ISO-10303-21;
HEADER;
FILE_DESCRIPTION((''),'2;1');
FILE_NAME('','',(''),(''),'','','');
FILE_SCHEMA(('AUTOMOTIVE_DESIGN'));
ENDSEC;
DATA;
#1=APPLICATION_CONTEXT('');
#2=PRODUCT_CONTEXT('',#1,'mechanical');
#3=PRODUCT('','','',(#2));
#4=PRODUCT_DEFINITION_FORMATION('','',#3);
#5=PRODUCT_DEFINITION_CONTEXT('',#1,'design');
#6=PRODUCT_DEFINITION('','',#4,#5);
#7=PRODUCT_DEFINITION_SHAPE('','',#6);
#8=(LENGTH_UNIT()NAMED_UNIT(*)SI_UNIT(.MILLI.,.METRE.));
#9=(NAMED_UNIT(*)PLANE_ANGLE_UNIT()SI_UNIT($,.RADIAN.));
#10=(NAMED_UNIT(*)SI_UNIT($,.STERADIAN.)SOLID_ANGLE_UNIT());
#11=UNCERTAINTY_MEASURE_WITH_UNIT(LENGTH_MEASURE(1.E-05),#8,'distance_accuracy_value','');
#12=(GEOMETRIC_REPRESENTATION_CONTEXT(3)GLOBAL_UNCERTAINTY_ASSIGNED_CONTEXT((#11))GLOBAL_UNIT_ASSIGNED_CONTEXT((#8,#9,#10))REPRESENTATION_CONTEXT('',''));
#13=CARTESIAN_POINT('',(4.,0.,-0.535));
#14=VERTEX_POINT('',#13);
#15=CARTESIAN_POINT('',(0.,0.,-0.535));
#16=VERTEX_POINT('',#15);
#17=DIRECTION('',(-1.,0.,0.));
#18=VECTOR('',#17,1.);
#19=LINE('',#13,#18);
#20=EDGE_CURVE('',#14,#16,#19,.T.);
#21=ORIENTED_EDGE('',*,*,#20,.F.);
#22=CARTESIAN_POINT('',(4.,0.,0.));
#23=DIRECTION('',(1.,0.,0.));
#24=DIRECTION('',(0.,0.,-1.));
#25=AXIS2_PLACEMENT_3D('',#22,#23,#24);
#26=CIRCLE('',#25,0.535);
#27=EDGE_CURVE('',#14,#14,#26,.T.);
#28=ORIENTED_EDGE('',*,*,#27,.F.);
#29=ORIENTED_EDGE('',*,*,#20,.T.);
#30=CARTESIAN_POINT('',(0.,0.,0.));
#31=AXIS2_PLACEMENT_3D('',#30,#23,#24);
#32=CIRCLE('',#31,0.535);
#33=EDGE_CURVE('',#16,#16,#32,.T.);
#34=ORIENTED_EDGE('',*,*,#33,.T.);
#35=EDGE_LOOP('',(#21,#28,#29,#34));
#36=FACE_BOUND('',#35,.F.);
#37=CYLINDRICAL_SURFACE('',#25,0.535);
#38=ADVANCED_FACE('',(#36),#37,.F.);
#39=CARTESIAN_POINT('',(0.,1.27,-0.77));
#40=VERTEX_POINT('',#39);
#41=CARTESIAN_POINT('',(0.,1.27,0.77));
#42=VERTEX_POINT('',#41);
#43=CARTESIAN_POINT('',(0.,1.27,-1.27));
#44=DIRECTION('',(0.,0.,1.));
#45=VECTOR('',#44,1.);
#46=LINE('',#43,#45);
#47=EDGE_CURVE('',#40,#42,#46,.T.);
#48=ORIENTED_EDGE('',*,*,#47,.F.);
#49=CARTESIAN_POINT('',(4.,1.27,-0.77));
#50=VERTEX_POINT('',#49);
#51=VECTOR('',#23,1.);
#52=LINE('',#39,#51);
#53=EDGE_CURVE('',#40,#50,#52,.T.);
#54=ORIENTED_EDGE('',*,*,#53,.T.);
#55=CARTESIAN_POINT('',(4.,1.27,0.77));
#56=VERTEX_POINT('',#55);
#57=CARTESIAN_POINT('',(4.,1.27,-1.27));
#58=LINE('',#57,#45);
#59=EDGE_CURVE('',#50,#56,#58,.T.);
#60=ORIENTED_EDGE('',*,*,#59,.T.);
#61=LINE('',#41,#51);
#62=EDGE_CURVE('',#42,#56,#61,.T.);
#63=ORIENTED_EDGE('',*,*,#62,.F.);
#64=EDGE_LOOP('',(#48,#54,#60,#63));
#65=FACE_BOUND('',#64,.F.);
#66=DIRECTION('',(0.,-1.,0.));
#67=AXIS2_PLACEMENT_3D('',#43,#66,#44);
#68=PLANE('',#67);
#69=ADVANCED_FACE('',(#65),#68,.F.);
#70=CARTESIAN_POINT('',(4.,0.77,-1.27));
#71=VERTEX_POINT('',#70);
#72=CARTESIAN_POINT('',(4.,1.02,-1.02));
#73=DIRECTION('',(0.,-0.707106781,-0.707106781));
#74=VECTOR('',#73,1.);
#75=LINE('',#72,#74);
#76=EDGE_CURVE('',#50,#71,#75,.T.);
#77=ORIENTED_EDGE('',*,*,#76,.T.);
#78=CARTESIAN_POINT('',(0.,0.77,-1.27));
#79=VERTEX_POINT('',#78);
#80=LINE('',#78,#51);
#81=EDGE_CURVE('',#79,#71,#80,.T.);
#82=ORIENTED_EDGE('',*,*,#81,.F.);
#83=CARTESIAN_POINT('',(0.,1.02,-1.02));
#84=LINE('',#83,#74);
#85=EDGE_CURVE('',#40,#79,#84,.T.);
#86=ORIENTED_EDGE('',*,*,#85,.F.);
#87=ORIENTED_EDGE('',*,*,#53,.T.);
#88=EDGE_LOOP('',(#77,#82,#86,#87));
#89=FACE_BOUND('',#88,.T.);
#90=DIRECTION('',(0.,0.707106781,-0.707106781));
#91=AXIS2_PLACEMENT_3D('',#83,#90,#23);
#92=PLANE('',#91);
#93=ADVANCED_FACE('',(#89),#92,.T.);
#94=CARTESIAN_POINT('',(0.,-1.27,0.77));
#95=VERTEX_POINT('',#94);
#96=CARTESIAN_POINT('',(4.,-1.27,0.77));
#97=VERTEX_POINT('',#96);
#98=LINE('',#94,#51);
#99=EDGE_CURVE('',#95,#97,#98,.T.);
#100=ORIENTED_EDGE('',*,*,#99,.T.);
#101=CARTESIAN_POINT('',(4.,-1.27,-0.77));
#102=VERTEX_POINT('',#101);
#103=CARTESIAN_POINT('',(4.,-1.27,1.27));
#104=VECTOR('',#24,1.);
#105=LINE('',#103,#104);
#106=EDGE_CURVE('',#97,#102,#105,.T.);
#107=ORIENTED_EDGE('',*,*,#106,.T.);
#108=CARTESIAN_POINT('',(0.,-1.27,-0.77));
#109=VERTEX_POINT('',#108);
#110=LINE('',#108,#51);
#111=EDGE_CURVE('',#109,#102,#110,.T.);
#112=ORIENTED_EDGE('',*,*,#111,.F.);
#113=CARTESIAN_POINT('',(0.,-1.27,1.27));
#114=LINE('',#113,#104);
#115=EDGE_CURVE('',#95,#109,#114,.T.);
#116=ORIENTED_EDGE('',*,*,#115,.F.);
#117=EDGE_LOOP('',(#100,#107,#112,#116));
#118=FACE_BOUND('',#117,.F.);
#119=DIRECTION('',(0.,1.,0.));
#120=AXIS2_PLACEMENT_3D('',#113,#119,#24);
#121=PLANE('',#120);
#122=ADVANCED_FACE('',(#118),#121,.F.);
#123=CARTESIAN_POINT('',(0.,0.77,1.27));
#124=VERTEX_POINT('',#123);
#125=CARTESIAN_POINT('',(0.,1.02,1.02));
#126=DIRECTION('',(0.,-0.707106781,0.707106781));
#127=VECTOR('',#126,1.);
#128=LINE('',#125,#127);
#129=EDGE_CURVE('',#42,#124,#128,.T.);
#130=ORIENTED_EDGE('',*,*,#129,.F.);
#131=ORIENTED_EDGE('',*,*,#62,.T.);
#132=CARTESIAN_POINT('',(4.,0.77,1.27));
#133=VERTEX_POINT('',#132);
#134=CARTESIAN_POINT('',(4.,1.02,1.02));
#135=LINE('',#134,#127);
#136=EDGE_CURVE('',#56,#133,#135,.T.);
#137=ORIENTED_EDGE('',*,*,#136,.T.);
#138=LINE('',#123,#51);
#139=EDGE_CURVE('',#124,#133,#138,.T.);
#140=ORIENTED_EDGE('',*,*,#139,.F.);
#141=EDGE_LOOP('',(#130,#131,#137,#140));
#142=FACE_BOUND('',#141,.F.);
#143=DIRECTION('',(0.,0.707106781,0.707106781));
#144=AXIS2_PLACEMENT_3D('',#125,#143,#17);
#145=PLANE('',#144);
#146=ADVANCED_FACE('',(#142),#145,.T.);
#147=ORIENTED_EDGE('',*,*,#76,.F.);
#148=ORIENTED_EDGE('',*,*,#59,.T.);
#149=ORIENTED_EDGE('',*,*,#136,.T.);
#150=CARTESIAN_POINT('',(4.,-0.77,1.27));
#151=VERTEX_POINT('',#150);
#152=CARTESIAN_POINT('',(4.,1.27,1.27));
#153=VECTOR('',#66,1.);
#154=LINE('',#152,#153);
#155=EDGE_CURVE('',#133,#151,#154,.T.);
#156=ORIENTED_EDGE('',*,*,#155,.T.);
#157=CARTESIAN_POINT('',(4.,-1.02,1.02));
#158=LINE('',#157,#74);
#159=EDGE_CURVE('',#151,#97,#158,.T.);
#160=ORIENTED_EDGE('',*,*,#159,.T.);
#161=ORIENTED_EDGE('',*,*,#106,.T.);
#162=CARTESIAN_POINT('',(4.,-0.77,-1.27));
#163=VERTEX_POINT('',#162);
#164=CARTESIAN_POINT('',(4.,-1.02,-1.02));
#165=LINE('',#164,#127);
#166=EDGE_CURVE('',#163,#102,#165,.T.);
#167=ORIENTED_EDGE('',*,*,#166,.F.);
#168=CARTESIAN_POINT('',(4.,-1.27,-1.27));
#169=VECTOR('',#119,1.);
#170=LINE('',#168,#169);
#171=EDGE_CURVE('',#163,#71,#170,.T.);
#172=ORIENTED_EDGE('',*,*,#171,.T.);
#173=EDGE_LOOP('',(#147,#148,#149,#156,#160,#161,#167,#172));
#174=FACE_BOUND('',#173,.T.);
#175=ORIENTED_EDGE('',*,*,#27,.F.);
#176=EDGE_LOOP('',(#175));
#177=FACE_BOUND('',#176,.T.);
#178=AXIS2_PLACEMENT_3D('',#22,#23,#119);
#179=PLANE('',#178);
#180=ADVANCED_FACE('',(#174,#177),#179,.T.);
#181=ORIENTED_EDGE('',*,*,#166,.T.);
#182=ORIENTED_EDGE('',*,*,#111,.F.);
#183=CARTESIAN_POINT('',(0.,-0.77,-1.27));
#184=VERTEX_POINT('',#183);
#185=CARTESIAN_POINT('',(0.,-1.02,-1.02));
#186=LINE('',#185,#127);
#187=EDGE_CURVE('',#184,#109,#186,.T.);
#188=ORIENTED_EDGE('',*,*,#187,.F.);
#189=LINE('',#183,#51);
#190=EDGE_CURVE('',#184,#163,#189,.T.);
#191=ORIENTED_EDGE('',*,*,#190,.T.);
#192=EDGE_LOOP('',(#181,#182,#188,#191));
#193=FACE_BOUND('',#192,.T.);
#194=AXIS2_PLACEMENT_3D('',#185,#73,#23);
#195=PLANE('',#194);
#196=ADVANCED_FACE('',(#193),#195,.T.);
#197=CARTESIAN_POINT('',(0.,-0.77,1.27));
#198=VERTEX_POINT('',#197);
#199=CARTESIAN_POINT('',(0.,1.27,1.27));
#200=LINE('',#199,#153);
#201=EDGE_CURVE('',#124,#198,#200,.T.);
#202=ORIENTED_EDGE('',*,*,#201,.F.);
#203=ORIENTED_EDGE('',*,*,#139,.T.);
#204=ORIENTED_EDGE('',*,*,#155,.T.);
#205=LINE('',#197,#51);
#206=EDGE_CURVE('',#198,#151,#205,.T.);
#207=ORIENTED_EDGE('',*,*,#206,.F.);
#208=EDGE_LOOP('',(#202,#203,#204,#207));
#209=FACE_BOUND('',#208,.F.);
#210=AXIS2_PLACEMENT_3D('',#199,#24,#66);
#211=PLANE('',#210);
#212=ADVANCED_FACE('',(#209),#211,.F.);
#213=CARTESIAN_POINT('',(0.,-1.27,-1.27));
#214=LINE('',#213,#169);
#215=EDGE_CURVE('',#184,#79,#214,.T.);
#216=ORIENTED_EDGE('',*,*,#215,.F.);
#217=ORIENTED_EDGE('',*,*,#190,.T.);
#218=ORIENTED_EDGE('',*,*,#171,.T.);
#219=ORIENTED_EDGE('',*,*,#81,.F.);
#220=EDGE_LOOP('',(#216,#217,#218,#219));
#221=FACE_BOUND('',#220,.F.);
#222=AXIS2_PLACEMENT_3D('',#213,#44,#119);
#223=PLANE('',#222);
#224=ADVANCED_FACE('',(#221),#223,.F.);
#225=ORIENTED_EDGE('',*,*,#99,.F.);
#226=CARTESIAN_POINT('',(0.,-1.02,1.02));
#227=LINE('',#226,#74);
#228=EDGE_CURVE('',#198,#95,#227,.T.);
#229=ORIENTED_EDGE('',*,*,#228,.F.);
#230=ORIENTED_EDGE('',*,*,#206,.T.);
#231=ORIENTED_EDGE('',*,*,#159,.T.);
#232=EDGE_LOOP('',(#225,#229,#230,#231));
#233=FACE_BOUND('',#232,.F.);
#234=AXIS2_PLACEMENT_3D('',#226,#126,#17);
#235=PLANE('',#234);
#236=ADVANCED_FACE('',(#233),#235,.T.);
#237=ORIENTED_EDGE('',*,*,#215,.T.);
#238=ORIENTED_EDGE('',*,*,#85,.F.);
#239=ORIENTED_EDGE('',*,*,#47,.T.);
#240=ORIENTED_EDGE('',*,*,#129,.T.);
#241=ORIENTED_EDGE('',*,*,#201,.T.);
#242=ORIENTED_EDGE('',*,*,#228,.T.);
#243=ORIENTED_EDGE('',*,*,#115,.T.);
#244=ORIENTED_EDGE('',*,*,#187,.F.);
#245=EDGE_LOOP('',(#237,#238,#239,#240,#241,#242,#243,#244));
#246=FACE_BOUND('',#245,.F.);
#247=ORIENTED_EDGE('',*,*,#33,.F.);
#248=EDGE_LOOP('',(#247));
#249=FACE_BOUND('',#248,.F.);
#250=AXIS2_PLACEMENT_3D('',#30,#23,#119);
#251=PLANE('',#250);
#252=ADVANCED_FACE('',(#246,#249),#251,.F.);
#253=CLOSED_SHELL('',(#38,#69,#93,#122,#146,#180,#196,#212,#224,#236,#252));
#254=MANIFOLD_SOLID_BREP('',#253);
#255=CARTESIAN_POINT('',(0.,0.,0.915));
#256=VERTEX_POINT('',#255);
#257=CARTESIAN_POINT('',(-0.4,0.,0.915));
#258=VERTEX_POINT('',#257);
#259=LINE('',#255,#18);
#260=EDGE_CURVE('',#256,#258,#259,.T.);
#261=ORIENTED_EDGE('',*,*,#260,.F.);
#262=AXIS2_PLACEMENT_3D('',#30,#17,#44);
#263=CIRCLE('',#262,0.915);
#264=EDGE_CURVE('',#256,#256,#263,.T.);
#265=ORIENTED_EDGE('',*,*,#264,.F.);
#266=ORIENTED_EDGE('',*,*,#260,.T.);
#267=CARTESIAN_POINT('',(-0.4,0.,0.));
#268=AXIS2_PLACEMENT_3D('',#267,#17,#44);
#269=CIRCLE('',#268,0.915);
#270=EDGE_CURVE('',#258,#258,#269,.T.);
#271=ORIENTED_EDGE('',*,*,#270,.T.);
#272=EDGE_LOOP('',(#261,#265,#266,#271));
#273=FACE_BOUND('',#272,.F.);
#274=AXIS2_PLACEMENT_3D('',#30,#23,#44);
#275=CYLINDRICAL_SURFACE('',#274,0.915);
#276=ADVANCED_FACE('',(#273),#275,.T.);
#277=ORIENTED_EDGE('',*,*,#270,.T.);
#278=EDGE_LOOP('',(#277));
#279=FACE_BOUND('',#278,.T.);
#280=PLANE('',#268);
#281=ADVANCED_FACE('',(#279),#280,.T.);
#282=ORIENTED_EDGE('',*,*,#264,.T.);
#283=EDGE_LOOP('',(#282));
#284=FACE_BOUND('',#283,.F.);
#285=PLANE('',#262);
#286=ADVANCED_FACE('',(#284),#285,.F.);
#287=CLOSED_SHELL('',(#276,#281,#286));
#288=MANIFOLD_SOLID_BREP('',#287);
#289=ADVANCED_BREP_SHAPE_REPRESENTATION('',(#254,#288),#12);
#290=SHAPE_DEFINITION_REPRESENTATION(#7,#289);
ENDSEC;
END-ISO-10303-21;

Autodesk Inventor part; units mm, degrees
ref_plane "YZ Plane" through (0, 0, 0) normal (1, 0, 0) x (0, 1, 0)
ref_plane "XZ Plane" through (0, 0, 0) normal (0, 1, 0) x (-1, 0, 0)
ref_plane "XY Plane" through (0, 0, 0) normal (0, 0, 1) x (1, 0, 0)
sketch "Sketch1" plane through (0, 0, 0) normal (1, 0, 0) x (0, 1, 0)
  line L0 (1.27, 1.27) -> (-1.27, 1.27)
  line L1 (-1.27, 1.27) -> (-1.27, -1.27)
  line L2 (-1.27, -1.27) -> (1.27, -1.27)
  line L3 (1.27, -1.27) -> (1.27, 1.27)
  point P0 (0, 0)
  point P1 (0, 1.27)
  point P2 (1.27, 0)
  dimension "d0" = 2.54
  dimension "d1" = 2.54
extrude "Extrusion1" add sketch "Sketch1" along normal blind 4
sketch "Sketch2" plane through (0, 0, 0) normal (-1, 0, 0) x (0, 0, 1)
  circle A0 centre (0, 0) radius 0.915
  dimension "d4" = 1.83
extrude "Extrusion2" add sketch "Sketch2" along normal blind 0.4 separate body
sketch "Sketch3" plane through (4, 0, 0) normal (1, 0, 0) x (0, 0, -1)
  circle A0 centre (0, 0) radius 0.535
  dimension "d7" = 1.07
extrude "Extrusion3" cut sketch "Sketch3" against normal blind 4 bodies 1
chamfer "Chamfer1" distance 0.5 angle 45 4 edges at (2, 1.27, -1.27) (2, -1.27, 1.27) (2, 1.27, 1.27) (2, -1.27, -1.27)
properties material "ABS Plastic"
